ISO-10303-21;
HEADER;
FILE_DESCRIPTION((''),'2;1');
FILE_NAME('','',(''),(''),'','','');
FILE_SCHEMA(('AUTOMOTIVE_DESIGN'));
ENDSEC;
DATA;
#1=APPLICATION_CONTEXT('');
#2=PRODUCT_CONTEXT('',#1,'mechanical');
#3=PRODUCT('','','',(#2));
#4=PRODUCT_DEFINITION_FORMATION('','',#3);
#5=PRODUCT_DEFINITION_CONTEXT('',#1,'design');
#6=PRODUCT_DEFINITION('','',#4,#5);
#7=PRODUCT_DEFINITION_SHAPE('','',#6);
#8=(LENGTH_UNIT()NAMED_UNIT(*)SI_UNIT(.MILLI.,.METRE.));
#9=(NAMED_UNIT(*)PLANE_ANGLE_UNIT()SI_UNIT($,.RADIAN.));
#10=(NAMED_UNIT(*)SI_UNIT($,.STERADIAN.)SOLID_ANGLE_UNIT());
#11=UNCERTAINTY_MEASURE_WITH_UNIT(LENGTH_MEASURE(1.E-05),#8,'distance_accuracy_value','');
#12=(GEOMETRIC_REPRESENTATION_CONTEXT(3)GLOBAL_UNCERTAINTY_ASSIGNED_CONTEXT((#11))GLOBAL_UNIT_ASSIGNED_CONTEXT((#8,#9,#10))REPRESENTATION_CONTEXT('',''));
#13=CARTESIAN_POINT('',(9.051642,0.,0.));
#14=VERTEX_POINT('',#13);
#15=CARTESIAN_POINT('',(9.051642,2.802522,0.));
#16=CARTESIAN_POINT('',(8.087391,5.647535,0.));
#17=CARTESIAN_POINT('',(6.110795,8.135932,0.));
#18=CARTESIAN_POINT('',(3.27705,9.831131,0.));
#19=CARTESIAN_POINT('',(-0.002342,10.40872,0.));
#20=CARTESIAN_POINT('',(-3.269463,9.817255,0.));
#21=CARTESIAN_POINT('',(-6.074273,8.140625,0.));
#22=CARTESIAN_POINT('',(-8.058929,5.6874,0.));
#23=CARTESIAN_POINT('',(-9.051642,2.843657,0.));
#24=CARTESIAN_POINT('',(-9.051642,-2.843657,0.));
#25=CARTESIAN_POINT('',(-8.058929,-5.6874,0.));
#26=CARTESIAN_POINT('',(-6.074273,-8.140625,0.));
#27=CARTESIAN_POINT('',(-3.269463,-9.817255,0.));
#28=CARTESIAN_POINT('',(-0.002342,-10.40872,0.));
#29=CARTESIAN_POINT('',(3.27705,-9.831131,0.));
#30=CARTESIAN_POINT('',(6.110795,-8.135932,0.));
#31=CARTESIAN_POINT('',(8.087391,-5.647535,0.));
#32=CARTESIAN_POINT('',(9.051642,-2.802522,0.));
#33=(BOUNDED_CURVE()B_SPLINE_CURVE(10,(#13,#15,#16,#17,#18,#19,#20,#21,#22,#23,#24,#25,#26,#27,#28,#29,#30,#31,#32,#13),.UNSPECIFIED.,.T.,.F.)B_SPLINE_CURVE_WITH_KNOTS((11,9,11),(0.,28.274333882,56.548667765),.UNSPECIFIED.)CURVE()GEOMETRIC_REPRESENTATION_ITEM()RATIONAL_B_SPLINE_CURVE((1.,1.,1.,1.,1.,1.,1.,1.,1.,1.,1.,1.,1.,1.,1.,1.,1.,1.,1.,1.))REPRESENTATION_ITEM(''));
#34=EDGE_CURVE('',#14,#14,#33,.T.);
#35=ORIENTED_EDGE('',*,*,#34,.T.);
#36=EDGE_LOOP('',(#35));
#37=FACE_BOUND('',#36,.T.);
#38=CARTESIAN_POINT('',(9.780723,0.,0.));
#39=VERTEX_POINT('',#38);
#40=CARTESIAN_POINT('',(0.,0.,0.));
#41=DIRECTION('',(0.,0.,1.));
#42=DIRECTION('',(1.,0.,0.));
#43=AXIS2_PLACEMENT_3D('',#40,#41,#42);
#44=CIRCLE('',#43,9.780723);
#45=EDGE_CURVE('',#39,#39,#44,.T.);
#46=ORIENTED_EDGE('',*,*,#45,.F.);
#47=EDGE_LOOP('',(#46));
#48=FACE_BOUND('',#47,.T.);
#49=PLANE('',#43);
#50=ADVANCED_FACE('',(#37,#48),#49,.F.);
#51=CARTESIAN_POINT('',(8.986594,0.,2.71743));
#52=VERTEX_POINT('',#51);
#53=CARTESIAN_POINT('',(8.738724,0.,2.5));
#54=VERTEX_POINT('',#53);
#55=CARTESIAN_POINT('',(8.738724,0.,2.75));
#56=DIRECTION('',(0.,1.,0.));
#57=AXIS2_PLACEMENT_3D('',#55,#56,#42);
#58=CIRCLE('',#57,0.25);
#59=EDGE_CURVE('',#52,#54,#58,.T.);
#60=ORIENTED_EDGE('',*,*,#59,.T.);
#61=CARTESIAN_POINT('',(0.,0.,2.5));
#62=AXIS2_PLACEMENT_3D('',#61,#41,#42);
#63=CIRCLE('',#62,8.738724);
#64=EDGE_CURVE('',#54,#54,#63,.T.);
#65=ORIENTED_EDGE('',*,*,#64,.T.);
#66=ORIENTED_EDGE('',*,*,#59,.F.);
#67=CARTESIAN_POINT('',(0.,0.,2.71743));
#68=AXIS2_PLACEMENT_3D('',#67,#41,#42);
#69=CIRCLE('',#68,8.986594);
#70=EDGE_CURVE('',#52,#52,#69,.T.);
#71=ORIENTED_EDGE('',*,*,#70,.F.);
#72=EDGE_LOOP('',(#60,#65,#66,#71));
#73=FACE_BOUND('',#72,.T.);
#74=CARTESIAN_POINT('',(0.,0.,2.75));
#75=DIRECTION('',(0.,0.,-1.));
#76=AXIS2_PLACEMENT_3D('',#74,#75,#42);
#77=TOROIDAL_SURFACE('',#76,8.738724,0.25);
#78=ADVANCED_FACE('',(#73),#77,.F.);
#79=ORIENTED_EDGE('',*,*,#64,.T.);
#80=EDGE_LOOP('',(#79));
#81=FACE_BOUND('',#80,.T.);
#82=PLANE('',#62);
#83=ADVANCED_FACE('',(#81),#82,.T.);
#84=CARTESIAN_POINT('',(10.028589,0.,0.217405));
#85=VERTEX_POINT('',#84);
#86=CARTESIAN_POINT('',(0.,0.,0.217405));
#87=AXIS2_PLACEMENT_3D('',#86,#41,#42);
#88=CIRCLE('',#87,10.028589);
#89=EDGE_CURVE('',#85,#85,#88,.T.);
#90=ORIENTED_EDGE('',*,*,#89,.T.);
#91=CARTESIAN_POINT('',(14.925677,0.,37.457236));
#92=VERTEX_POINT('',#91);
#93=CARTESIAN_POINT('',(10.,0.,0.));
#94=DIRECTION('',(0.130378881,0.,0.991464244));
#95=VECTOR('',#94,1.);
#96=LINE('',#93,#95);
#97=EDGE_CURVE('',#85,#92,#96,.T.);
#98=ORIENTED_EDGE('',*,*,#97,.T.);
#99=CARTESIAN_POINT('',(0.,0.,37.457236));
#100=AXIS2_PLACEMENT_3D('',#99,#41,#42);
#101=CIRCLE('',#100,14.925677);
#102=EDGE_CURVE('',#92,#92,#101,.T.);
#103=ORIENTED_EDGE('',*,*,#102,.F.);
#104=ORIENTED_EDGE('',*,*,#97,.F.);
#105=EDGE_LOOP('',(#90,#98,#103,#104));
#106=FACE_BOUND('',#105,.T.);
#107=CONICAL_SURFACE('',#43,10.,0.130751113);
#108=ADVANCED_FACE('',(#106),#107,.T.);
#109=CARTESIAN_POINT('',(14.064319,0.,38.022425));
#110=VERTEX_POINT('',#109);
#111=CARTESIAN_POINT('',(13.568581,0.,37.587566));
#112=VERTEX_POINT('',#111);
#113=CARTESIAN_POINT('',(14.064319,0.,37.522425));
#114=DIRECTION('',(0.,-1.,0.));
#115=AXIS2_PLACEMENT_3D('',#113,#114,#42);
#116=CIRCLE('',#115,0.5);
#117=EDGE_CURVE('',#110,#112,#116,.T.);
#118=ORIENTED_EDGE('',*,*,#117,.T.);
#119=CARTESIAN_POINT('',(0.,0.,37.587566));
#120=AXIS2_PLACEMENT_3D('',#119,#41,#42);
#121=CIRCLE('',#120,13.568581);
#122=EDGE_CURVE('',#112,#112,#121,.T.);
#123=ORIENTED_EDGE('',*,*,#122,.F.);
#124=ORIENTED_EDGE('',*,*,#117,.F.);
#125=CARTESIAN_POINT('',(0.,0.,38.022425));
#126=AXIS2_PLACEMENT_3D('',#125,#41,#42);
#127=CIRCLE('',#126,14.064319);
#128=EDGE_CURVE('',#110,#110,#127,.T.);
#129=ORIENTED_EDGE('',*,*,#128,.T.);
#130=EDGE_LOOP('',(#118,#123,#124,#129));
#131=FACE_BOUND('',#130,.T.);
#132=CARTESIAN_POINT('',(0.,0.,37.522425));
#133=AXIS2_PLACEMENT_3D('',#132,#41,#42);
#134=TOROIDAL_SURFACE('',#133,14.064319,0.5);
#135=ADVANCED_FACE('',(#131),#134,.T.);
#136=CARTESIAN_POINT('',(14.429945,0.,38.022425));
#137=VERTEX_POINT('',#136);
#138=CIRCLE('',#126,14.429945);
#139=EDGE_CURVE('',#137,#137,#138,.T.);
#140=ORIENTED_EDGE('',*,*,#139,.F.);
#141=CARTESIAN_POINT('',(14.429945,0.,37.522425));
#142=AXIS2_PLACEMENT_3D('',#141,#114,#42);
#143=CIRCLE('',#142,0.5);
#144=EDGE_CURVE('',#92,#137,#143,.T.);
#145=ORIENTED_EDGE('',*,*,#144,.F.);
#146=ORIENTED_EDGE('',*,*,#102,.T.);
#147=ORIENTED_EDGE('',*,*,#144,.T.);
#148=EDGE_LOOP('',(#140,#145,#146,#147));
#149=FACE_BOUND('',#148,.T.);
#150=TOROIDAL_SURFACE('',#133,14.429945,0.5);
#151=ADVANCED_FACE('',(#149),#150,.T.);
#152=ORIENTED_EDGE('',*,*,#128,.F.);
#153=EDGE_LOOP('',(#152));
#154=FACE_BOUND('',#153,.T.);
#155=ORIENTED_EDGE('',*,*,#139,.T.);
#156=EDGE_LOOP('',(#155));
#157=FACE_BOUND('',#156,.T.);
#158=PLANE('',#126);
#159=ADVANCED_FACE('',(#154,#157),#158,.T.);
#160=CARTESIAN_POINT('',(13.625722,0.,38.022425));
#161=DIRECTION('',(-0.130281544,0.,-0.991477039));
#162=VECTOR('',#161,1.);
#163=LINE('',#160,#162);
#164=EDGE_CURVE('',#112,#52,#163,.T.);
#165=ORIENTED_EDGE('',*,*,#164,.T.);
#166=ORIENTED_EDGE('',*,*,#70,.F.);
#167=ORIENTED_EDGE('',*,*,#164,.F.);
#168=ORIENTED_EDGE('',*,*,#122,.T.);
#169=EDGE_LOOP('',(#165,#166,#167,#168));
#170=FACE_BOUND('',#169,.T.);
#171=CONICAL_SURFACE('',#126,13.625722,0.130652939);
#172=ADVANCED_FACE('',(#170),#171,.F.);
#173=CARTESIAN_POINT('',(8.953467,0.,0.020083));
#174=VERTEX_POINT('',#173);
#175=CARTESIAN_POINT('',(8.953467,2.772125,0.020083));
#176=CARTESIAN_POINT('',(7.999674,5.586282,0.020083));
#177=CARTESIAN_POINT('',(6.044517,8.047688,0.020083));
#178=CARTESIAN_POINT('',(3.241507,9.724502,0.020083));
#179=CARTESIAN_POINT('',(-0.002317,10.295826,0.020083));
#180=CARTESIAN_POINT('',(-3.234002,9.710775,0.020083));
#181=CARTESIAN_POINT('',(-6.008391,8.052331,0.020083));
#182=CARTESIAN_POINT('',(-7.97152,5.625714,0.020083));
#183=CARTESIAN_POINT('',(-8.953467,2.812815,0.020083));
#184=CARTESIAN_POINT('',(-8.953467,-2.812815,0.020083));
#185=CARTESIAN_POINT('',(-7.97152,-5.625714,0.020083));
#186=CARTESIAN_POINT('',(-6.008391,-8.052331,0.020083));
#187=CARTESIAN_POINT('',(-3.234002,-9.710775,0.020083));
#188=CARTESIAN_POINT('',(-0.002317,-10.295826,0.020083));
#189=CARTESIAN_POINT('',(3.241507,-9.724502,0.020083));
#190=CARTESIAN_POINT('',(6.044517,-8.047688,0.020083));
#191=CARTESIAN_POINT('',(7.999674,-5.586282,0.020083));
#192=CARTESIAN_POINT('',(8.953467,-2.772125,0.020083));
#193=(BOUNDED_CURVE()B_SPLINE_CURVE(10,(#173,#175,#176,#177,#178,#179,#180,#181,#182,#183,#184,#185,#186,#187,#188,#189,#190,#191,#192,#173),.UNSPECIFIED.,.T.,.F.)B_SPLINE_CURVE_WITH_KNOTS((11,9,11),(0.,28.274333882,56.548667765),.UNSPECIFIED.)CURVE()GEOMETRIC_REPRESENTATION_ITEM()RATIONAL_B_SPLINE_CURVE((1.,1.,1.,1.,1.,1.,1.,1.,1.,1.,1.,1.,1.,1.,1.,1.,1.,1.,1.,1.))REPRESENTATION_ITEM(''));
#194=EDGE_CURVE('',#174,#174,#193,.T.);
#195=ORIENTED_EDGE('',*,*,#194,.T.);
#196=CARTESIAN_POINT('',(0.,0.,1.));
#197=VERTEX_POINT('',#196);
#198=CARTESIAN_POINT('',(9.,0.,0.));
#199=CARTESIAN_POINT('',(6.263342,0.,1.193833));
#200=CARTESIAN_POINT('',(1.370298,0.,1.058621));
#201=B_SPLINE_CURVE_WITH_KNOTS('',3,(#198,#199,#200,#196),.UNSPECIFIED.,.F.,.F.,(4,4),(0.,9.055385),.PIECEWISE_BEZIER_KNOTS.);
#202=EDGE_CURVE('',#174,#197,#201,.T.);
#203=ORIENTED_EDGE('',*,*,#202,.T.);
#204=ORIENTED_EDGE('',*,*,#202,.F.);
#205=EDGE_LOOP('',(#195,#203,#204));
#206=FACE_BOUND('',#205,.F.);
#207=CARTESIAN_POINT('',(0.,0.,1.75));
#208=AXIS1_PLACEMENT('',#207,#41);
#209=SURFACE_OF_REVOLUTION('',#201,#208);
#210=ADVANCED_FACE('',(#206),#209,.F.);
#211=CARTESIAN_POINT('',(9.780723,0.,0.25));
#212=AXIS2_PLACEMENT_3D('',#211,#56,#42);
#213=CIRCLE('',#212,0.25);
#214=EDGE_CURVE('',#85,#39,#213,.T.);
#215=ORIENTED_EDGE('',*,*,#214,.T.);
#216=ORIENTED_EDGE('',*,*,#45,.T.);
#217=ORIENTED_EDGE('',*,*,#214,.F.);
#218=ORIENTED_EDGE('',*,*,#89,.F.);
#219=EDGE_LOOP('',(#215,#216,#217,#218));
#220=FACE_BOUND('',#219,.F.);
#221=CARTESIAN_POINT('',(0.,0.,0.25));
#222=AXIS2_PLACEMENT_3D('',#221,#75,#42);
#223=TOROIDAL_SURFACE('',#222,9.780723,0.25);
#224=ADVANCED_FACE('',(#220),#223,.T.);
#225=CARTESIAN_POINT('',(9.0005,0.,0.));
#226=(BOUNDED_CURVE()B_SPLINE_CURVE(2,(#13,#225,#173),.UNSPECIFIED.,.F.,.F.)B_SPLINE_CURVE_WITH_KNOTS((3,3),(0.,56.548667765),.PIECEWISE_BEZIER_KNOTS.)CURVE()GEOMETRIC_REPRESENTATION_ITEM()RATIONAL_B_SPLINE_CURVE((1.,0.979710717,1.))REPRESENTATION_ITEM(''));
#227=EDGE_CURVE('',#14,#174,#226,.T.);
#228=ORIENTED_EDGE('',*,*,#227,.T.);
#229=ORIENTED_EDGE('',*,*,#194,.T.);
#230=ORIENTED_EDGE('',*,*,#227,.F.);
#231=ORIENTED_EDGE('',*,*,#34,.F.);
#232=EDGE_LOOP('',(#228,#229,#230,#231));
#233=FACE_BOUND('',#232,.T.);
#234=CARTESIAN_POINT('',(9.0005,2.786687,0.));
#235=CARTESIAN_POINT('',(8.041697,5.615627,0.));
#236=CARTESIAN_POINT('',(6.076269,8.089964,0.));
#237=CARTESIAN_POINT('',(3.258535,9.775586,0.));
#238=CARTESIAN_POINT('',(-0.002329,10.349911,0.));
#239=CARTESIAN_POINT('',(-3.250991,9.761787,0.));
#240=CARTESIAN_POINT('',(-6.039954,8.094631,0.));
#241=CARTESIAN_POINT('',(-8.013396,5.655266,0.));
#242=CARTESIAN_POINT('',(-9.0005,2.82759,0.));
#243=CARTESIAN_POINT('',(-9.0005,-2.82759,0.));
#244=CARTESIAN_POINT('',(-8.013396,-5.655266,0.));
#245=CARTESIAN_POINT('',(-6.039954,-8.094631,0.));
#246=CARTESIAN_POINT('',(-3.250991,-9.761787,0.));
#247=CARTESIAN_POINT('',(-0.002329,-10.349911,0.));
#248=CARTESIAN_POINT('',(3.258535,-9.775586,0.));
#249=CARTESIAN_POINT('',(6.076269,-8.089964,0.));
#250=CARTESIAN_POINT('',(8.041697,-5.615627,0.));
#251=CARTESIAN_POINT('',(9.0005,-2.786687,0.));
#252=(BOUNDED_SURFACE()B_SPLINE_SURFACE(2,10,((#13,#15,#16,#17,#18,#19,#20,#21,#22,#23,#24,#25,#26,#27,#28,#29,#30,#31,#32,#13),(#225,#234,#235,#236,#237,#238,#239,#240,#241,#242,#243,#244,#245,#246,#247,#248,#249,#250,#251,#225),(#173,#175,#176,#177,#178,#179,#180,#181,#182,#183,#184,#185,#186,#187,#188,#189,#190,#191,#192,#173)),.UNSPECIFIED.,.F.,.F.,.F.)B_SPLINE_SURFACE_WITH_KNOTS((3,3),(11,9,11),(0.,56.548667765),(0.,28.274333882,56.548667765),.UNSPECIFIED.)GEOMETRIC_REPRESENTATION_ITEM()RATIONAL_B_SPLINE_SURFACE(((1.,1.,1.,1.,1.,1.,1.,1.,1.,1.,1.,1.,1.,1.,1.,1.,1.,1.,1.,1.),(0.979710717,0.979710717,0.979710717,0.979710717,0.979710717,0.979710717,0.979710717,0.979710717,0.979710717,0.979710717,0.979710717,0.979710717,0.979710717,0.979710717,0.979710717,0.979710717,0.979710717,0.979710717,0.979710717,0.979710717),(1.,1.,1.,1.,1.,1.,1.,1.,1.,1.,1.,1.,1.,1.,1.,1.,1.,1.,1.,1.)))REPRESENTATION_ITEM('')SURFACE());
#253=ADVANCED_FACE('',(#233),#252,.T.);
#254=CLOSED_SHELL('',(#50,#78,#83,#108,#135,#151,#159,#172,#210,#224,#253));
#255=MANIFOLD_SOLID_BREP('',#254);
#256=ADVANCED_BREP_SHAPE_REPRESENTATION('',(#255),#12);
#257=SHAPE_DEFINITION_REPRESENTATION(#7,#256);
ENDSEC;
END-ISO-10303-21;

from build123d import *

# Parameters (mm, degrees)
F2_R = 0.5
F3_R = 0.25


with BuildPart() as f1:
    # F0 (on Front) → F1 (revolve)
    with BuildSketch(Plane.XZ):
        with BuildLine():
            Line((9, 0), (10, 0))
            Line((10, 0), (15, 38.022425))
            Line((15, 38.022425), (13.625722, 38.022425))
            Line((13.625722, 38.022425), (8.958023, 2.5))
            Line((8.958023, 2.5), (0, 2.5))
            Line((0, 2.5), (0, 1))
            add(Edge.make_bspline(
                [(9, 0), (6.263342, 1.193833), (1.370298, 1.058621), (0, 1)],
                knots=[0, 0, 0, 0, 9.055385, 9.055385, 9.055385, 9.055385], degree=3))
        make_face()
    revolve(axis=Axis((0, 0, 1.75), (0, 0, 1)))

    # F2
    f2_edges = [f1.edges().sort_by_distance(p)[0] for p in [
        (-13.625722, 0, 38.022425),
        (-15, 0, 38.022425),
    ]]
    fillet(f2_edges, radius=F2_R)

    # F3
    f3_edges = [f1.edges().sort_by_distance(p)[0] for p in [
        (-8.958023, 0, 2.5),
        (-9, 0, 0),
        (-10, 0, 0),
    ]]
    fillet(f3_edges, radius=F3_R)


solid = f1.part
